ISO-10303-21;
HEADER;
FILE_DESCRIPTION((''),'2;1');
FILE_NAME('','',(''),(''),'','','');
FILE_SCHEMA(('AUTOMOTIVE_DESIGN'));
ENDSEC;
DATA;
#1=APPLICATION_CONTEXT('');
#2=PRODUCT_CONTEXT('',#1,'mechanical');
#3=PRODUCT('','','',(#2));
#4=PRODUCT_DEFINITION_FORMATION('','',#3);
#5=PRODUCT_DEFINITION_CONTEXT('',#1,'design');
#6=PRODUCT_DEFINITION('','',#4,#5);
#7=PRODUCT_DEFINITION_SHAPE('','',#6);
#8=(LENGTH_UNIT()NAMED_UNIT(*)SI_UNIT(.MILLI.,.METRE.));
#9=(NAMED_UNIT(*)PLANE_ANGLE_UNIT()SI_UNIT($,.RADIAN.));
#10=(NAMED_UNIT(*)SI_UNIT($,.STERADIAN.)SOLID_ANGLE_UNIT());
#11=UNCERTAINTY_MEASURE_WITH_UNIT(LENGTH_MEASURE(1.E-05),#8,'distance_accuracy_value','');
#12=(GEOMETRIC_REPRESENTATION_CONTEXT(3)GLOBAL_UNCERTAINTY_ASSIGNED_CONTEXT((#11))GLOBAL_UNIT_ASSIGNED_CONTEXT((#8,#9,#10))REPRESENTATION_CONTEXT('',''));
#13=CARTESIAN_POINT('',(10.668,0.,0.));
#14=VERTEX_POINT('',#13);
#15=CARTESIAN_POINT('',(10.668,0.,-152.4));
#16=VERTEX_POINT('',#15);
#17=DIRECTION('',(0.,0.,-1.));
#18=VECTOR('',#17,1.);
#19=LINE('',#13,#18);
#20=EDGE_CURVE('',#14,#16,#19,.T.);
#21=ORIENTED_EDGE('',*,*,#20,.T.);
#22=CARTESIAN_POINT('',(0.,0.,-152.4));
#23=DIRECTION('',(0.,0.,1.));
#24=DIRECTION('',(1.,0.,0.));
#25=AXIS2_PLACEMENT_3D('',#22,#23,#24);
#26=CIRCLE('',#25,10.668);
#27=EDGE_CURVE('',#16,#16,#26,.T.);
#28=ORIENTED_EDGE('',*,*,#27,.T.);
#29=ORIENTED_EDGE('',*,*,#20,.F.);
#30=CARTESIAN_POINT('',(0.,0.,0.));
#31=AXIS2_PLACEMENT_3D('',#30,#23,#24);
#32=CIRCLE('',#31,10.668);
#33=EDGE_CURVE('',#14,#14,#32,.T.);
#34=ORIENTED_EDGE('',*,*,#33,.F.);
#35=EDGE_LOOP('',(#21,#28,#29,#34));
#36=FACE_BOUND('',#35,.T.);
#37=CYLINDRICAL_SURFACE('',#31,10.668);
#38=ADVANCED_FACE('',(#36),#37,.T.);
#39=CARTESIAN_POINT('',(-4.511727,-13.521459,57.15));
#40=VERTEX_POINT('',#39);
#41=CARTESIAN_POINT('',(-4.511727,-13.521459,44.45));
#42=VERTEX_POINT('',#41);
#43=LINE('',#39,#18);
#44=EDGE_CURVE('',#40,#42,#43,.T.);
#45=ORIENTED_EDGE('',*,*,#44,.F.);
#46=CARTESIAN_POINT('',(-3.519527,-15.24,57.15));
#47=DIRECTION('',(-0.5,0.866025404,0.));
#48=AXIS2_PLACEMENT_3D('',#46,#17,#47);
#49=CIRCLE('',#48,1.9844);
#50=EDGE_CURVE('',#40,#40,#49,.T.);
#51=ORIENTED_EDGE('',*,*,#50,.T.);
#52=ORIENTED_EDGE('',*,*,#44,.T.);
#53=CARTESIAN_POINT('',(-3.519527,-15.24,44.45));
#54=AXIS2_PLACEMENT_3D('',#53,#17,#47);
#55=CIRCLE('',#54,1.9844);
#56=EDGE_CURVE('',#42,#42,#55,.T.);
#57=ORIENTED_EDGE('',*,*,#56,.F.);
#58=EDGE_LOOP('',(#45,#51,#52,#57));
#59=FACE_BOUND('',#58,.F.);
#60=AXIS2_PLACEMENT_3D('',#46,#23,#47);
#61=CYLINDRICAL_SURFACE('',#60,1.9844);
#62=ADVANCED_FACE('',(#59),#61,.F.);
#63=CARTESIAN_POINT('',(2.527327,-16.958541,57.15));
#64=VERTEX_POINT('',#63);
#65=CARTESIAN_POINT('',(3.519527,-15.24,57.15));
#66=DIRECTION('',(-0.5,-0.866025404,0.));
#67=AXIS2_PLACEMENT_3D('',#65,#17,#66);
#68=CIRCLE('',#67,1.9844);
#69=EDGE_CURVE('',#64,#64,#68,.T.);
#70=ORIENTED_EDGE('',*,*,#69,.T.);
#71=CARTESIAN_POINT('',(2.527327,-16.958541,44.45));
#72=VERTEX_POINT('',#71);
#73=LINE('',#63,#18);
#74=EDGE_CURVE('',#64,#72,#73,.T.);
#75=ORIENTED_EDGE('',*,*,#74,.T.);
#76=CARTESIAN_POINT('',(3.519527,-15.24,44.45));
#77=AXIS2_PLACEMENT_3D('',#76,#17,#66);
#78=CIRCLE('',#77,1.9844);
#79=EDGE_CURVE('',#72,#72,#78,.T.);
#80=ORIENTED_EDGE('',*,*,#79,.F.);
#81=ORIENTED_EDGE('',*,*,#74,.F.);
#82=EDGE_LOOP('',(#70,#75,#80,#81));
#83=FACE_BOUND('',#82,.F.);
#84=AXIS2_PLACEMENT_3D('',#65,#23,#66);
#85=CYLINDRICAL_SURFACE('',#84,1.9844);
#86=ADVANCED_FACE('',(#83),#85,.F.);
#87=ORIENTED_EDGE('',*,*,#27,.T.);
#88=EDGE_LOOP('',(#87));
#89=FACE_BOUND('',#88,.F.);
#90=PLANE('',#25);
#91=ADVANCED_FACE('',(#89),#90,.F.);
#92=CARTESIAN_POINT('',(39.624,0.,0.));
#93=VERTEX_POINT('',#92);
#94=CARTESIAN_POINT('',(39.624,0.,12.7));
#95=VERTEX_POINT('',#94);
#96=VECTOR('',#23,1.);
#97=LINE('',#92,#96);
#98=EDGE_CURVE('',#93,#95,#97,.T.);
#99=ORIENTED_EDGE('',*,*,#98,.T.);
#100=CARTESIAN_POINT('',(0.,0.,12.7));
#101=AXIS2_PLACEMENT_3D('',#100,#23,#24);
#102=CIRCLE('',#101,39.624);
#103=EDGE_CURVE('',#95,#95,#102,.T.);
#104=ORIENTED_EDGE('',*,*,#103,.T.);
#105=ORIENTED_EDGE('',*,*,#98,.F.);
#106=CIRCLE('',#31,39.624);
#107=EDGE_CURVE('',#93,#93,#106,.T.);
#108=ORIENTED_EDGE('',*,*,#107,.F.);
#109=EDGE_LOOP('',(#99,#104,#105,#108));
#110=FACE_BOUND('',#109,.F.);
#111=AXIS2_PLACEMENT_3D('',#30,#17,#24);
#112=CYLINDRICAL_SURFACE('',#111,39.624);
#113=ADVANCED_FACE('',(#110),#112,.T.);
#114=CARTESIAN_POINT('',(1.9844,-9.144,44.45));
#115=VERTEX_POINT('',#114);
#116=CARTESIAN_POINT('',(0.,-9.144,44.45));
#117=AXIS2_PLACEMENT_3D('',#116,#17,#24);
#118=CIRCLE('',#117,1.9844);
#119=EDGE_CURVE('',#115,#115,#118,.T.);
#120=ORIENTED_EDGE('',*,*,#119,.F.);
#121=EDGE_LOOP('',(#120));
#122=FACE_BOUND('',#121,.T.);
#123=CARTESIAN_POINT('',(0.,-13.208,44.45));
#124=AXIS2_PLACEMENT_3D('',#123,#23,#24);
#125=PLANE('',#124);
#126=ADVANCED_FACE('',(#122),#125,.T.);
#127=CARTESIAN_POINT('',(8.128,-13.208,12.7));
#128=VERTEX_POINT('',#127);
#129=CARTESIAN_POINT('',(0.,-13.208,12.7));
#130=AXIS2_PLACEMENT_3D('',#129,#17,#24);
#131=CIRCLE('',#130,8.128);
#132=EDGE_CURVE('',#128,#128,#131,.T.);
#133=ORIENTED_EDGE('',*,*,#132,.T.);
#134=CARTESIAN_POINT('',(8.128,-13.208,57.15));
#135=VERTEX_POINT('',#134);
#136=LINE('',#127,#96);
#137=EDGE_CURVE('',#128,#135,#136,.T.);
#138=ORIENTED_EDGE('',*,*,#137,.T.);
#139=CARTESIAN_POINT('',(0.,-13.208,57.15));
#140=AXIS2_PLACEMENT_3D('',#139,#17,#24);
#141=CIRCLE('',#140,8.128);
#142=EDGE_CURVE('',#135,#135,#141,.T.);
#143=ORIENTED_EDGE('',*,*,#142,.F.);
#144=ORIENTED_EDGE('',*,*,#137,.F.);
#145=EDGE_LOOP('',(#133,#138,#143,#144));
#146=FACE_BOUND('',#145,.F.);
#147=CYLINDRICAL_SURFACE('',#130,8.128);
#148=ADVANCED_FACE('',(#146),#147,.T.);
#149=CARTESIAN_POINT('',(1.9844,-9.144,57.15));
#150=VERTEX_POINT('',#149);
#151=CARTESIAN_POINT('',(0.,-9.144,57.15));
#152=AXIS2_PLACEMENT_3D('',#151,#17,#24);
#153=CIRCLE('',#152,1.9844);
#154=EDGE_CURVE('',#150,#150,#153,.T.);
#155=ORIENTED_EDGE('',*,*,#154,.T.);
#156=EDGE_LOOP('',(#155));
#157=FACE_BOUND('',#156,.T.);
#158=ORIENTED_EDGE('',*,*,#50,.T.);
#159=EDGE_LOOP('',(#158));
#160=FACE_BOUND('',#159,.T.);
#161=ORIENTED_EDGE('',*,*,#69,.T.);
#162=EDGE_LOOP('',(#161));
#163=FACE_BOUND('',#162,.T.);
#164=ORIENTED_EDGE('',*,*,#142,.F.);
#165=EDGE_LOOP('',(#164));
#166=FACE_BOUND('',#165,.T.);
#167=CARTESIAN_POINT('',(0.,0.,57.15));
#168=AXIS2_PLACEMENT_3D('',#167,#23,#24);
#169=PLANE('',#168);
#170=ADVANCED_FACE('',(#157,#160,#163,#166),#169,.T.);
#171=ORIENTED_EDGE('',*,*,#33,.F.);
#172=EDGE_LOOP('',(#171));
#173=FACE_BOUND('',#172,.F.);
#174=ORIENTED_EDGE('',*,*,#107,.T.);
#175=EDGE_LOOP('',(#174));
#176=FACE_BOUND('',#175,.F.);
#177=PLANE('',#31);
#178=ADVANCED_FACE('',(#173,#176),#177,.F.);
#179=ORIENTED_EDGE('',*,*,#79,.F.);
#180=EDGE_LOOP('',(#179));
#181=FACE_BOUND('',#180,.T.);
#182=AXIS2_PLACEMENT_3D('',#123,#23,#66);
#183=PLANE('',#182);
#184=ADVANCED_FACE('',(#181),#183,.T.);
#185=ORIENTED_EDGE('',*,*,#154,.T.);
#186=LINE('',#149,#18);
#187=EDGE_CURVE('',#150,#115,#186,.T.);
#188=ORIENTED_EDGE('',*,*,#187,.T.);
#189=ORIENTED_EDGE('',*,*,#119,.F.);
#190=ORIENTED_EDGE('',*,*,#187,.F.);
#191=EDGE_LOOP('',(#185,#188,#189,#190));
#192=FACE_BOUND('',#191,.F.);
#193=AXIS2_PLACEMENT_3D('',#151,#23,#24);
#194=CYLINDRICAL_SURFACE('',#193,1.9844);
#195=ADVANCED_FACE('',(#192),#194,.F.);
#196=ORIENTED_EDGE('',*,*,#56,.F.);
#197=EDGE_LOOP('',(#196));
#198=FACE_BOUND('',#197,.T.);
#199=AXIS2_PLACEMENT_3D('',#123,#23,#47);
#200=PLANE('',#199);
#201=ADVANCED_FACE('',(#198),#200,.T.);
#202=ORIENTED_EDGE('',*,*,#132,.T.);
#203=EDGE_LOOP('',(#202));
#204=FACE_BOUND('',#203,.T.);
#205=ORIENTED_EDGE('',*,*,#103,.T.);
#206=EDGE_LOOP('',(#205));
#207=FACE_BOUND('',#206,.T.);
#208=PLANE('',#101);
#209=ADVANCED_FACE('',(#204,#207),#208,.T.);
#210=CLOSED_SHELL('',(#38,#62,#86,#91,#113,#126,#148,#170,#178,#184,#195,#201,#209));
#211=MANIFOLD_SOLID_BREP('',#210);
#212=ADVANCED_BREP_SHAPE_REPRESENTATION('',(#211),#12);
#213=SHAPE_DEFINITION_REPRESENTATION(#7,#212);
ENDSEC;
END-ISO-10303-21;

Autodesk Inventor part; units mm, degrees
ref_plane "YZ Plane" through (0, 0, 0) normal (1, 0, 0) x (0, 1, 0)
ref_plane "XZ Plane" through (0, 0, 0) normal (0, 1, 0) x (-1, 0, 0)
sketch "Sketch1" plane through (0, 0, 0) normal (0, 0, 1) x (1, 0, 0)
  circle A0 centre (0, 0) radius 10.668
  dimension "d0" = 21.336
extrude "Extrusion1" add sketch "Sketch1" against normal blind 152.4
sketch "Sketch2" plane through (0, 0, 0) normal (0, 0, 1) x (1, 0, 0)
  circle A0 centre (0, 0) radius 39.624
  dimension "d3" = 79.248
extrude "Extrusion2" add sketch "Sketch2" along normal blind 12.7
sketch "Sketch3" plane through (0, 0, 12.7) normal (0, 0, 1) x (1, 0, 0)
  circle A0 centre (0, -13.208) radius 8.128
  line L0 (0, 0) -> (0, -13.208)
  dimension "d6" = 16.256
  dimension "d7" = 13.208
extrude "Extrusion3" add sketch "Sketch3" along normal blind 44.45
sketch "Sketch10" plane through (0, -13.208, 57.15) normal (0, 0, 1) x (1, 0, 0)
  circle A0 centre (0, 0) radius 6.5405
  point P0 (0, 13.208)
  dimension "d27" = 13.081
extrude "Extrusion6" [suppressed]
sketch "Sketch11" plane through (0, -13.208, 57.15) normal (0, 0, 1) x (1, 0, 0)
  circle A0 centre (0, 0) radius 6.5405
  circle A1 centre (0, 0) radius 8.128
  point P0 (0, 13.208)
  dimension "d30" = 13.081
  dimension "d31" = 16.256
ref_plane "Work Plane2" through (0, -13.208, 12.7) normal (-1, 0, 0) x (0, 0, 1)
sketch "Sketch12" plane through (0, -13.208, 12.7) normal (-1, 0, 0) x (0, 0, 1)
  line L0 (44.45, -8.128) -> (44.45, 8.128) projected
  line L1 (44.45, 0) -> (57.15, 0)
  line L2 (57.15, 0) -> (69.85, 0) construction
  line L3 (69.85, 0) -> (69.85, 13.208) construction
  line L4 (69.85, 13.208) -> (82.55, 13.208) construction
  spline S0 degree 3 poles (57.15, 0) (69.85, 0) (69.85, 13.208) (82.55, 13.208) knots 1 1 1 1 2 2 2 2
  point P0 (-12.7, 13.208)
  dimension "d32" = 12.7
  dimension "d35" = 13.208
  dimension "d36" = 13.208
  dimension "d37" = 25.4
  dimension "d38" = 12.7
  dimension "d39" = 12.7
sweep "Sweep1" [suppressed]
sketch "Sketch13" plane through (0, 0, 0) normal (0, 1, 0) x (-1, 0, 0)
  line L0 (0, 0) -> (0, 57.15)
  line L1 (8.128, 57.15) -> (-8.128, 57.15) projected
  circle A0 centre (0, 50.8) radius 1.5875
  circle A1 centre (0, 44.45) radius 1.5875
  circle A2 centre (0, 38.1) radius 1.5875
  circle A3 centre (0, 31.75) radius 1.5875
  circle A4 centre (0, 25.4) radius 1.5875
  point P0 (0, 19.05)
  dimension "d42" = 38.1
  dimension "d43" = 3.175
  dimension "d44" = 6.35
  dimension "d45" = 3.175
  dimension "d46" = 3.175
  dimension "d47" = 3.175
  dimension "d48" = 6.35
  dimension "d49" = 6.35
  dimension "d50" = 6.35
  dimension "d51" = 3.175
  dimension "d52" = 6.35
extrude "Extrusion7" [suppressed]
pattern_circular "Circular Pattern1" [suppressed]
sketch "Sketch14" plane through (0, 0, 0) normal (1, 0, 0) x (0, 1, 0)
  line L0 (0, 0) -> (0, 101.6)
  circle A0 centre (0, 95.25) radius 1.5875
  circle A1 centre (0, 88.9) radius 1.5875
  circle A2 centre (0, 82.55) radius 1.5875
  circle A3 centre (0, 76.2) radius 1.5875
  circle A4 centre (0, 69.85) radius 1.5875
  line L1 (-19.7485, 101.6) -> (-6.6675, 101.6) projected
  line L2 (-13.208, 101.6) -> (-13.208, 0)
  circle A5 centre (-13.208, 92.075) radius 1.5875
  circle A6 centre (-13.208, 85.725) radius 1.5875
  circle A7 centre (-13.208, 79.375) radius 1.5875
  circle A8 centre (-13.208, 73.025) radius 1.5875
  point P0 (0, 63.5)
  dimension "d59" = 3.175
  dimension "d61" = 3.175
  dimension "d62" = 3.175
  dimension "d63" = 3.175
  dimension "d64" = 6.35
  dimension "d65" = 6.35
  dimension "d66" = 6.35
  dimension "d67" = 3.175
  dimension "d68" = 6.35
  dimension "d69" = 3.175
  dimension "d70" = 3.175
  dimension "d71" = 3.175
  dimension "d72" = 3.175
  dimension "d73" = 9.525
  dimension "d74" = 6.35
  dimension "d75" = 6.35
  dimension "d76" = 6.35
extrude "Extrusion8" [suppressed]
pattern_circular "Circular Pattern2" [suppressed]
sketch "Sketch15" plane through (0, -13.208, 57.15) normal (0, 0, 1) x (1, 0, 0)
  circle A0 centre (0, 4.064) radius 1.9844
  line L0 (0, 4.064) -> (0, 13.208)
  dimension "d82" = 9.144
  dimension "d83" = 3.9688
extrude "Extrusion9" cut sketch "Sketch15" against normal blind 12.7
pattern_circular "Circular Pattern3" count 3 over 360 about axis through (0, -13.208, 12.7) along (0, 0, 1) of "Extrusion9"
equation "\"d1\" = 38.1 * scale"
equation "\"d3\" = 19.812 * scale"
equation "\"d4\" = 3.175 * scale"
equation "\"d6\" = 4.064 * scale"
equation "\"d7\" = 3.302 * scale"
equation "\"d8\" = 11.1125 * scale"
equation "\"d35\" = 3.302 * scale"
equation "\"d36\" = 3.302 * scale"
equation "\"d53\" = 3.302 * scale"
equation "\"d77\" = 3.302 * scale"
equation "\"d82\" = 2.286 * scale"
equation "\"d84\" = 3.175 * scale"
equation "\"radius\" = 3.175"
equation "\"scale\" = 4"
properties part number "Eccentric_Shaft_2" material "Stainless Steel"
